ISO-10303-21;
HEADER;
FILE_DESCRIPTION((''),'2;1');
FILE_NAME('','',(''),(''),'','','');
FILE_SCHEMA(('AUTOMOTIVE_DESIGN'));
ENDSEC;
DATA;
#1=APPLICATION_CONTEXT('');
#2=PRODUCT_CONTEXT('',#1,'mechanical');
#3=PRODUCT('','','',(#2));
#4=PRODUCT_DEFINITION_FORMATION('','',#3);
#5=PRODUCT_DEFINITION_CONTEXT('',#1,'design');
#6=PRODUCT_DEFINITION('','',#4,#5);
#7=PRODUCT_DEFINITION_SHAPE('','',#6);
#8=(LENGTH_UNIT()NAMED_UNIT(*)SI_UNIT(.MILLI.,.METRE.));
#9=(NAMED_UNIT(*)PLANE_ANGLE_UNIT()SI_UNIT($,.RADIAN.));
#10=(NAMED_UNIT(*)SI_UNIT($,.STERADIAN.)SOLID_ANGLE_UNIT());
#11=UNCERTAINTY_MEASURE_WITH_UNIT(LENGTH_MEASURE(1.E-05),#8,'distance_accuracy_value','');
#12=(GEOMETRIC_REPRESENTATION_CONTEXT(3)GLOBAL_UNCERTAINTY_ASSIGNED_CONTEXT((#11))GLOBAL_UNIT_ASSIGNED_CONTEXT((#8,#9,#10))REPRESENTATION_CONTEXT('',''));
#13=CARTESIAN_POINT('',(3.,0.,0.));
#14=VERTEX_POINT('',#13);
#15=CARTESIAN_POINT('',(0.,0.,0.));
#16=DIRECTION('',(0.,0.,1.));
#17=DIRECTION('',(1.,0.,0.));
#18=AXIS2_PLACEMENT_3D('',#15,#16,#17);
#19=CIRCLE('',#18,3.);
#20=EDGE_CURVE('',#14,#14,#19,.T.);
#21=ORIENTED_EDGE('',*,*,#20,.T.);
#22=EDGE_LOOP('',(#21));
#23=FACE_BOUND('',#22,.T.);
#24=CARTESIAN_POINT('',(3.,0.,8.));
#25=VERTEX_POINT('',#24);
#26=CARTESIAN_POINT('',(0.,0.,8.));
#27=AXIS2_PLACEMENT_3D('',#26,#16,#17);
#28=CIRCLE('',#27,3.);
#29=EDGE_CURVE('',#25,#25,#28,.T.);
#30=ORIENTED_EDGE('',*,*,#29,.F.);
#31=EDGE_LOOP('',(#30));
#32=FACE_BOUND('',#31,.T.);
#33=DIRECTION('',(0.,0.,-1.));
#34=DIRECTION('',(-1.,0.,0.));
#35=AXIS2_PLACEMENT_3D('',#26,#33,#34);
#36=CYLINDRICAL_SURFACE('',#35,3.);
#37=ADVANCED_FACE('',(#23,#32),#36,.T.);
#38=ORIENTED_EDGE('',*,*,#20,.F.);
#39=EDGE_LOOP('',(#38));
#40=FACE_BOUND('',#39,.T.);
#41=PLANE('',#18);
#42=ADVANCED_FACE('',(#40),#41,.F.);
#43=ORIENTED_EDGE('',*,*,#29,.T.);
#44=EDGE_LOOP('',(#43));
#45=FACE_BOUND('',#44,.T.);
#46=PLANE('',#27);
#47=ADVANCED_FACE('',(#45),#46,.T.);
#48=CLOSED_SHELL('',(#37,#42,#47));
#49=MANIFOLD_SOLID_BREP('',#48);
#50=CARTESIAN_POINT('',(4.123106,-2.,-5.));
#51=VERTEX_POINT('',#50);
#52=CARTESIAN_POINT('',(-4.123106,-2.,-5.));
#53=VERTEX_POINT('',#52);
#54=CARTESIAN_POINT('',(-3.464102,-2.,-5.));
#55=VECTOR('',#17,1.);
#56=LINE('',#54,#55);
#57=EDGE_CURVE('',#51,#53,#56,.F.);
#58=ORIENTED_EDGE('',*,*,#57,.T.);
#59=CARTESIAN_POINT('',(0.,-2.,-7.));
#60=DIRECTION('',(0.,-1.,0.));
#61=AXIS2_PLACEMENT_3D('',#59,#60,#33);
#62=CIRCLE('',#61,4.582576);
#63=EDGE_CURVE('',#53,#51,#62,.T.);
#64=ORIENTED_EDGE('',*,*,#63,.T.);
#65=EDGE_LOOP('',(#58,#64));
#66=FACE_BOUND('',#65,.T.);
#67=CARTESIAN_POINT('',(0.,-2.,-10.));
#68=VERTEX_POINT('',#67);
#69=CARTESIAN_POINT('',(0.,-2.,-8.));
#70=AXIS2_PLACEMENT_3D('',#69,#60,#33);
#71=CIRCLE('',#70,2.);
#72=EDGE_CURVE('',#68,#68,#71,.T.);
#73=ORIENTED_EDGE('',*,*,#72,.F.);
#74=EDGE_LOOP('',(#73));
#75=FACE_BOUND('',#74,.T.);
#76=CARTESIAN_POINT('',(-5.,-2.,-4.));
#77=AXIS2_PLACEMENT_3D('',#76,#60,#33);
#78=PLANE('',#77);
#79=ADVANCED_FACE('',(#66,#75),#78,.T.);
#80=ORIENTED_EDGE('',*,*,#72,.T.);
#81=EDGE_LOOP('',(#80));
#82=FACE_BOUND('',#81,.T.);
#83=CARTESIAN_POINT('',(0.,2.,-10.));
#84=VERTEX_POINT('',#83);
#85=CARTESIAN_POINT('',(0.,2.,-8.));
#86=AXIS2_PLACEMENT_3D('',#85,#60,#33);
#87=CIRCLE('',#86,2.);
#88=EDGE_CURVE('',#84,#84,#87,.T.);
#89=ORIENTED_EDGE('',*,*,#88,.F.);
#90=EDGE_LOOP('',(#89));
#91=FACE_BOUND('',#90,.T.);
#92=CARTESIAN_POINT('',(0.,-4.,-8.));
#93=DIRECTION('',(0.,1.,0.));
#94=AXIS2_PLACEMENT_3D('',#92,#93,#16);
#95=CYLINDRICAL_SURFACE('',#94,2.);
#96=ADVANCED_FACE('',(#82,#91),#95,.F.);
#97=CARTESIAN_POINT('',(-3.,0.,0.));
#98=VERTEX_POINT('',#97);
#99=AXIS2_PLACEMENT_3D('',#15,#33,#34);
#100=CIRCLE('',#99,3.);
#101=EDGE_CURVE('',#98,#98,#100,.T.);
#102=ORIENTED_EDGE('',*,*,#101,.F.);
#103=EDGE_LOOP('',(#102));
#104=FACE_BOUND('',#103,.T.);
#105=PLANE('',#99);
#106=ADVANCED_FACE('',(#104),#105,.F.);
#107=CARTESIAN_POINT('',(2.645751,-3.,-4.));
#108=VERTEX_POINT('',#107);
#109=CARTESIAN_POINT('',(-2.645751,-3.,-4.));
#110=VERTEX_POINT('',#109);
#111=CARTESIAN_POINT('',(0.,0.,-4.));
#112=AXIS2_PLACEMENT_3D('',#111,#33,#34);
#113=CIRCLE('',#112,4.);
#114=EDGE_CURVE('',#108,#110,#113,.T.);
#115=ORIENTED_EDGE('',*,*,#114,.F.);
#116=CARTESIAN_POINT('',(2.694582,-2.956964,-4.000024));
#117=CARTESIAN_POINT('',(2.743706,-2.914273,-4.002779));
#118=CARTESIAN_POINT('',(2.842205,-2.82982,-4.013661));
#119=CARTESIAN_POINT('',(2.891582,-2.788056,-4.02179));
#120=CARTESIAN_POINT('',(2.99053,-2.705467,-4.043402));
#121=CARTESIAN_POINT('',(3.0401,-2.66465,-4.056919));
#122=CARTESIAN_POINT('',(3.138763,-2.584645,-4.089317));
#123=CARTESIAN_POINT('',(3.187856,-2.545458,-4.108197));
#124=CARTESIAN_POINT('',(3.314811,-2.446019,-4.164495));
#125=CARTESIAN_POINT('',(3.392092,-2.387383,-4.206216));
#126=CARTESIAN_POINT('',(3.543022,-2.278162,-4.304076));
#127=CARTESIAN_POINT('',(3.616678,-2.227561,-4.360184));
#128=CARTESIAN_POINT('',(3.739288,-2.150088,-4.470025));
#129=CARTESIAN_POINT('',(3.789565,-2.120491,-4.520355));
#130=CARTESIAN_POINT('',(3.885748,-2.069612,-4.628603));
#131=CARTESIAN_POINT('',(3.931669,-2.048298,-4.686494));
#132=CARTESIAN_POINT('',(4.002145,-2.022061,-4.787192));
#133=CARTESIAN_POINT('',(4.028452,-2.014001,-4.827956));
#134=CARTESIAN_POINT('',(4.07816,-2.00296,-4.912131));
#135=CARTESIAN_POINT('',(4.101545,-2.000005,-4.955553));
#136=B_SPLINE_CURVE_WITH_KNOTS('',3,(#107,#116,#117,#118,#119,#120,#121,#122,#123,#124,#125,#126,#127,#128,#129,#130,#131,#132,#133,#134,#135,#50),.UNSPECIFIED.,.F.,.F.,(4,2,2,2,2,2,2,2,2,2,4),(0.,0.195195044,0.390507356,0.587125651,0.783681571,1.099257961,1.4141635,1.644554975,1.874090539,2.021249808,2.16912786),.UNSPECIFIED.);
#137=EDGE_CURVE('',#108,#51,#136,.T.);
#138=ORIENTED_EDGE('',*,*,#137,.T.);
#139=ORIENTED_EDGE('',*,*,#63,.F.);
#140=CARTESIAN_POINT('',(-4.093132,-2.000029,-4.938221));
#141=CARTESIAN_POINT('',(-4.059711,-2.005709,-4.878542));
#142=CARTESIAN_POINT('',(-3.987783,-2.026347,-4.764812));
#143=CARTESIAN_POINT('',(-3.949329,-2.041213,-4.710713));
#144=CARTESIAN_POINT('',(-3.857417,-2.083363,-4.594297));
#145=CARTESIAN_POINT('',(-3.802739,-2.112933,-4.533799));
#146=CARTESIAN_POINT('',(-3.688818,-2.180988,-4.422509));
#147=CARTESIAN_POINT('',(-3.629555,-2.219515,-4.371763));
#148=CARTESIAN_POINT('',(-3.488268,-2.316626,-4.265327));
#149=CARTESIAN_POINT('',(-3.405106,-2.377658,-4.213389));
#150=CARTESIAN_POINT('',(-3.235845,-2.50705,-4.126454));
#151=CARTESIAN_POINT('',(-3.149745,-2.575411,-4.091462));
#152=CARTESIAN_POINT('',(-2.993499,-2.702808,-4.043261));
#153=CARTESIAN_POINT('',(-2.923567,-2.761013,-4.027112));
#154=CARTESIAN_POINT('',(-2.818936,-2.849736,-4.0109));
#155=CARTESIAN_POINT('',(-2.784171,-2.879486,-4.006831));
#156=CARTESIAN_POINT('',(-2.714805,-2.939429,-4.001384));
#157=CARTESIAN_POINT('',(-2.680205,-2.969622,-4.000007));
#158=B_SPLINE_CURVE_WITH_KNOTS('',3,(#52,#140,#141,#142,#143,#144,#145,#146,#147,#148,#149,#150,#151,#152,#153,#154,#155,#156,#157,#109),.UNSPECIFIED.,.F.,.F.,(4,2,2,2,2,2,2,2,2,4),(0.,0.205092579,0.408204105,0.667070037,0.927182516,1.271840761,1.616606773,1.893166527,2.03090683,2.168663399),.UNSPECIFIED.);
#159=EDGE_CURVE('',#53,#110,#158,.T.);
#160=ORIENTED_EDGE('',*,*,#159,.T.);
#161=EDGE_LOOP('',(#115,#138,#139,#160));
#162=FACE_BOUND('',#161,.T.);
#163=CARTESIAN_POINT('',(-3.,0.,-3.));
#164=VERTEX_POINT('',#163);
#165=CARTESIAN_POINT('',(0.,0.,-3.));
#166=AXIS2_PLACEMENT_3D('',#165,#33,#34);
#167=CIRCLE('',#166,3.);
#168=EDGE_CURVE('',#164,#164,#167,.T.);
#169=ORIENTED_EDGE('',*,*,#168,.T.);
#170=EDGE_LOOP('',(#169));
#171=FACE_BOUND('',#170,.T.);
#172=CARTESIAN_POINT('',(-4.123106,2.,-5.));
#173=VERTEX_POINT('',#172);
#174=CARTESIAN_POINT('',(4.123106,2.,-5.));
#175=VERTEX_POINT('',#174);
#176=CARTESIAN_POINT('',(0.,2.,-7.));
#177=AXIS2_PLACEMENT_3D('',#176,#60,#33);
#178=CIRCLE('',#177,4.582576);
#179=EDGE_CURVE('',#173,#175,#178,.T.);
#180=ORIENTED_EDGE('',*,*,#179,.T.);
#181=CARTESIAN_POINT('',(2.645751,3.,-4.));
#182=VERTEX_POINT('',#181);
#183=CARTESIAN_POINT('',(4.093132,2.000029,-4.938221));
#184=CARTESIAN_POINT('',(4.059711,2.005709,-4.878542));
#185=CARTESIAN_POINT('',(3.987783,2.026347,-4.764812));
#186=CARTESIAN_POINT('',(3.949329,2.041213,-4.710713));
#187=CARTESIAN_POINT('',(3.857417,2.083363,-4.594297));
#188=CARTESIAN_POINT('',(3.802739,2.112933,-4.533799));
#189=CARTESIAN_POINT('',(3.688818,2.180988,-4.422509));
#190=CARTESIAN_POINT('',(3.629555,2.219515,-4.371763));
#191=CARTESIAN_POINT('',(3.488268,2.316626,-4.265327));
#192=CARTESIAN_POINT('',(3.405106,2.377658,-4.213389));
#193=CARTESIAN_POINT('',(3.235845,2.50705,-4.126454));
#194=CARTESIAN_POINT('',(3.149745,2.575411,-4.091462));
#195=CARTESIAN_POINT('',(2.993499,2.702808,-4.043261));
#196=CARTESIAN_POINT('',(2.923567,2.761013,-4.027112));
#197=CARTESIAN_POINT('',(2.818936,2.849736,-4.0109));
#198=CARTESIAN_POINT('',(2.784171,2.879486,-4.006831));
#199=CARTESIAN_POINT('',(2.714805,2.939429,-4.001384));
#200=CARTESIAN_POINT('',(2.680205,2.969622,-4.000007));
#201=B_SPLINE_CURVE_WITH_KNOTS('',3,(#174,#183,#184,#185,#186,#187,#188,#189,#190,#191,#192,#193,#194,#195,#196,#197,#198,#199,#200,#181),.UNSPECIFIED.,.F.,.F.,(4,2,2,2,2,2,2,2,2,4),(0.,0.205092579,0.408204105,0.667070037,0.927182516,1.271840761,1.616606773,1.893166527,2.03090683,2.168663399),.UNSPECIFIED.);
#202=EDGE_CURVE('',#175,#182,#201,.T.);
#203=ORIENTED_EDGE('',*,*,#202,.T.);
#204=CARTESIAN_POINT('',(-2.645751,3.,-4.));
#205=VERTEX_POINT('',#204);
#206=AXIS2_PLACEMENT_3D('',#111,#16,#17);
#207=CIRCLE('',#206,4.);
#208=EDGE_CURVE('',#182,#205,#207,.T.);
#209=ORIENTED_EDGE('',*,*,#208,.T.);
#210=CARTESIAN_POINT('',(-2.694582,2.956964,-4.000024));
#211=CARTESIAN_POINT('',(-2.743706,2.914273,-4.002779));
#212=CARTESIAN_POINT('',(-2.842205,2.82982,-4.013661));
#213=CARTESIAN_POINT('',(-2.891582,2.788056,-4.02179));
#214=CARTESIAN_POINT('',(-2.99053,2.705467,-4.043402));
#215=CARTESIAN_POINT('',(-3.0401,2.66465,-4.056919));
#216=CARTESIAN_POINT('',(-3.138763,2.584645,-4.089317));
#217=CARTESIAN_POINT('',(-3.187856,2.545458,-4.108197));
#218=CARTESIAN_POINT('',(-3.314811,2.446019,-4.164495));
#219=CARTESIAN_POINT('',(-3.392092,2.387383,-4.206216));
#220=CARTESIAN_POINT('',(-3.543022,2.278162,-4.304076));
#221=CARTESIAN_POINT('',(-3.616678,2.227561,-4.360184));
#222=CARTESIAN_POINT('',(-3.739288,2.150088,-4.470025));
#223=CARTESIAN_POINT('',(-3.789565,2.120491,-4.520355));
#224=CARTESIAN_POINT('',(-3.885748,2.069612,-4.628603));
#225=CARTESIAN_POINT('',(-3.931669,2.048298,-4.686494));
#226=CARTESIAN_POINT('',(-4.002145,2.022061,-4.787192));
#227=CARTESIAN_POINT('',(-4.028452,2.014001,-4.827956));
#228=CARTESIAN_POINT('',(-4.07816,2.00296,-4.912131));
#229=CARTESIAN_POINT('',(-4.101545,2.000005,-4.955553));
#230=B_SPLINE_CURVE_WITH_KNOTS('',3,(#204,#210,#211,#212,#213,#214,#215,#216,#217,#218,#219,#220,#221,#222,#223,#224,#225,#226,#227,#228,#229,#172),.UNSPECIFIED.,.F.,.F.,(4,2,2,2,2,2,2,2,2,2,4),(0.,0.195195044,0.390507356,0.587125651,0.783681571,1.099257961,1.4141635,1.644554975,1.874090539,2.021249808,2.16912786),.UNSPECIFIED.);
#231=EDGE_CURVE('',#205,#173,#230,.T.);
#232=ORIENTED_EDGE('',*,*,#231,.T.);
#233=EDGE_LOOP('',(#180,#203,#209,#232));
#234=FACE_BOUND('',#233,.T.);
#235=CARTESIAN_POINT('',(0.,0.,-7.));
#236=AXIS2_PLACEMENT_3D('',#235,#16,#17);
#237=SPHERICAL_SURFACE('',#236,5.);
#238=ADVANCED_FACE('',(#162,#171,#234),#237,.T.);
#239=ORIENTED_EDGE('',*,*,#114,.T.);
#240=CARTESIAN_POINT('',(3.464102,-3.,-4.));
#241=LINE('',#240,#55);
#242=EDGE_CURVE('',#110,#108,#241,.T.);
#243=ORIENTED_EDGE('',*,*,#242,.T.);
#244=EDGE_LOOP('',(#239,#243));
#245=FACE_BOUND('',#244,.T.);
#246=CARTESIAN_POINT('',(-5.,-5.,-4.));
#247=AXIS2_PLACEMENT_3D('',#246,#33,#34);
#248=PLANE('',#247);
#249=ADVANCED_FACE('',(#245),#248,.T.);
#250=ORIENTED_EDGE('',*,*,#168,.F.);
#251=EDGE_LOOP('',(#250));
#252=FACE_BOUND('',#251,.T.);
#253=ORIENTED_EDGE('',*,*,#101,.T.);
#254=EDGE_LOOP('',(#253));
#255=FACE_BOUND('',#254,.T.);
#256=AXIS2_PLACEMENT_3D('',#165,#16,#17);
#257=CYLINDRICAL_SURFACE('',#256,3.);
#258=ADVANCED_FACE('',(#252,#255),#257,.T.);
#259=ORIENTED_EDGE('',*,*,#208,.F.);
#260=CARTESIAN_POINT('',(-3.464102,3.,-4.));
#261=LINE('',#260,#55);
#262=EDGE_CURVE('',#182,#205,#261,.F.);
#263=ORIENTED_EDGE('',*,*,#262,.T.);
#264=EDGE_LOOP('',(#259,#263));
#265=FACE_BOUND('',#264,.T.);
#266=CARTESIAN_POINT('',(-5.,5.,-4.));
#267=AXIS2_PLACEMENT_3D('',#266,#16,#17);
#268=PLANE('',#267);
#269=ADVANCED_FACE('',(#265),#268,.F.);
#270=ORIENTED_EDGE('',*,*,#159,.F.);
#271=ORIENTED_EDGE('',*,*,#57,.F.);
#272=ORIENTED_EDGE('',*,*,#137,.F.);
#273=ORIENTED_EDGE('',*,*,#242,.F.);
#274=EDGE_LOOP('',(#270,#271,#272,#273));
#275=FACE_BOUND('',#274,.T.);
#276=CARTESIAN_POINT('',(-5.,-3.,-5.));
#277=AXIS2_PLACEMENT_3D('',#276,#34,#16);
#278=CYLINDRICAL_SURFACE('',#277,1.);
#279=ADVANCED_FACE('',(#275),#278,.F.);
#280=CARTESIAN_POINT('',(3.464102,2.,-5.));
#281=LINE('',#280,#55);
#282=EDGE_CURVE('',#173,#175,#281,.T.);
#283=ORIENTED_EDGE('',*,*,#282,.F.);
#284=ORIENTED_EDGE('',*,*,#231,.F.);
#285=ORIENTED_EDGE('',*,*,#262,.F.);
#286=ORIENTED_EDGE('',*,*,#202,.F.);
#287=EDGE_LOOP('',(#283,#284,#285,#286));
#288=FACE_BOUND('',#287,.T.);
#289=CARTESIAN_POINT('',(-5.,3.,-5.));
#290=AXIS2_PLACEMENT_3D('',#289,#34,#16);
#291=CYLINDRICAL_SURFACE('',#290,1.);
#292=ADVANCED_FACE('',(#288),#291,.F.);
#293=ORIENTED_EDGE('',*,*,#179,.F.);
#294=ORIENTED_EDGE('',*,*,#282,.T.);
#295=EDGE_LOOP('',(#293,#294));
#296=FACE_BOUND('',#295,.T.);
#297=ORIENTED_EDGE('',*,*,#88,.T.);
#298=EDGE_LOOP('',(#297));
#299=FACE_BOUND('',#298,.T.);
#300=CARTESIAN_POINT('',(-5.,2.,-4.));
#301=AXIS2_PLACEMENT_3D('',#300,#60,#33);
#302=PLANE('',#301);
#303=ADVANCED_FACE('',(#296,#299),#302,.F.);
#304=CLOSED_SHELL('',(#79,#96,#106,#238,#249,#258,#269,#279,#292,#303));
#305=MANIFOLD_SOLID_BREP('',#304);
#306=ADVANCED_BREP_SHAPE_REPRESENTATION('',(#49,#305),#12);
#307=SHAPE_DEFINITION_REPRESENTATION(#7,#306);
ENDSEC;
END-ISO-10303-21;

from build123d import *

# Parameters (mm, degrees)
CROQUIS1_R                 = 3
SALIENTE_EXTRUIR3_DEPTH    = 8
CROQUIS4_R                 = 3
SALIENTE_EXTRUIR5_DEPTH    = 3
CROQUIS7_W                 = 8
CROQUIS7_H                 = 3
CORTAR_EXTRUIR3_DEPTH      = 14.928388277
REDONDEO2_R                = 1
REDONDEO2_OF_SIMETR_A2_R   = 1
CORTAR_EXTRUIR4_DEPTH      = 14.601470538
CORTAR_EXTRUIR4_DEPTH_BACK = 14.601470538
CROQUIS8_R                 = 2


with BuildPart() as part:
    # Croquis1 → Saliente-Extruir3 (new body)
    with BuildSketch(Plane.XY):
        Circle(CROQUIS1_R)
    extrude(amount=SALIENTE_EXTRUIR3_DEPTH)


with BuildPart() as body_2:
    # Croquis4 → Saliente-Extruir5 (new body)
    with BuildSketch(Plane(origin=(0, 0, 0), x_dir=(-1, 0, 0), z_dir=(0, 0, -1))):
        Circle(CROQUIS4_R)
    extrude(amount=SALIENTE_EXTRUIR5_DEPTH)

    # Croquis5 → Revolución1 (revolve)
    with BuildSketch(Plane(origin=(0, 0, 0), x_dir=(1, 0, 0), z_dir=(0, 1, 0)), mode=Mode.PRIVATE) as revoluci_n1_sk:
        with BuildLine():
            Line((-3, 3), (0, 3))
            Line((0, 3), (0, 12))
            ThreePointArc((0, 12), (-4.74341649, 8.58113883), (-3, 3))
        make_face()
    revolve(revoluci_n1_sk.sketch.rotate(Axis((0, 0, 0), (0, 0, -1)), 180), axis=Axis((0, 0, 0), (0, 0, -1)))

    # Croquis7 → Cortar-Extruir3 (cut, symmetric)
    with BuildSketch(Plane(origin=(0, 0, 0), x_dir=(0, 0, -1), z_dir=(1, 0, 0))):
        with Locations((8, 3.5)):
            Rectangle(CROQUIS7_W, CROQUIS7_H)
    cortar_extruir3 = extrude(amount=CORTAR_EXTRUIR3_DEPTH, both=True, mode=Mode.SUBTRACT)

    # Redondeo2
    redondeo2_edges = [body_2.edges().sort_by_distance(p)[0] for p in [
        (0, 2, -4),
    ]]
    fillet(redondeo2_edges, radius=REDONDEO2_R)

    # Simetría2: Cortar-Extruir3 across plane
    add(cortar_extruir3.mirror(Plane.ZX), mode=Mode.SUBTRACT)

    # Redondeo2 of Simetría2
    redondeo2_of_simetr_a2_edges = [body_2.edges().sort_by_distance(p)[0] for p in [
        (0, -2, -4),
    ]]
    fillet(redondeo2_of_simetr_a2_edges, radius=REDONDEO2_OF_SIMETR_A2_R)

    # Croquis8 → Cortar-Extruir4 (cut, two sides: drawn at the far end of the back side and taken through both)
    with BuildSketch(Plane(origin=(0, 0, 0), x_dir=(1, 0, 0), z_dir=(0, 1, 0)).offset(-CORTAR_EXTRUIR4_DEPTH_BACK)):
        with Locations(Location((0, 8, 0), (0, 0, 90))):
            Circle(CROQUIS8_R)
    extrude(amount=CORTAR_EXTRUIR4_DEPTH + CORTAR_EXTRUIR4_DEPTH_BACK, mode=Mode.SUBTRACT)


solid = Compound([part.part, body_2.part])
